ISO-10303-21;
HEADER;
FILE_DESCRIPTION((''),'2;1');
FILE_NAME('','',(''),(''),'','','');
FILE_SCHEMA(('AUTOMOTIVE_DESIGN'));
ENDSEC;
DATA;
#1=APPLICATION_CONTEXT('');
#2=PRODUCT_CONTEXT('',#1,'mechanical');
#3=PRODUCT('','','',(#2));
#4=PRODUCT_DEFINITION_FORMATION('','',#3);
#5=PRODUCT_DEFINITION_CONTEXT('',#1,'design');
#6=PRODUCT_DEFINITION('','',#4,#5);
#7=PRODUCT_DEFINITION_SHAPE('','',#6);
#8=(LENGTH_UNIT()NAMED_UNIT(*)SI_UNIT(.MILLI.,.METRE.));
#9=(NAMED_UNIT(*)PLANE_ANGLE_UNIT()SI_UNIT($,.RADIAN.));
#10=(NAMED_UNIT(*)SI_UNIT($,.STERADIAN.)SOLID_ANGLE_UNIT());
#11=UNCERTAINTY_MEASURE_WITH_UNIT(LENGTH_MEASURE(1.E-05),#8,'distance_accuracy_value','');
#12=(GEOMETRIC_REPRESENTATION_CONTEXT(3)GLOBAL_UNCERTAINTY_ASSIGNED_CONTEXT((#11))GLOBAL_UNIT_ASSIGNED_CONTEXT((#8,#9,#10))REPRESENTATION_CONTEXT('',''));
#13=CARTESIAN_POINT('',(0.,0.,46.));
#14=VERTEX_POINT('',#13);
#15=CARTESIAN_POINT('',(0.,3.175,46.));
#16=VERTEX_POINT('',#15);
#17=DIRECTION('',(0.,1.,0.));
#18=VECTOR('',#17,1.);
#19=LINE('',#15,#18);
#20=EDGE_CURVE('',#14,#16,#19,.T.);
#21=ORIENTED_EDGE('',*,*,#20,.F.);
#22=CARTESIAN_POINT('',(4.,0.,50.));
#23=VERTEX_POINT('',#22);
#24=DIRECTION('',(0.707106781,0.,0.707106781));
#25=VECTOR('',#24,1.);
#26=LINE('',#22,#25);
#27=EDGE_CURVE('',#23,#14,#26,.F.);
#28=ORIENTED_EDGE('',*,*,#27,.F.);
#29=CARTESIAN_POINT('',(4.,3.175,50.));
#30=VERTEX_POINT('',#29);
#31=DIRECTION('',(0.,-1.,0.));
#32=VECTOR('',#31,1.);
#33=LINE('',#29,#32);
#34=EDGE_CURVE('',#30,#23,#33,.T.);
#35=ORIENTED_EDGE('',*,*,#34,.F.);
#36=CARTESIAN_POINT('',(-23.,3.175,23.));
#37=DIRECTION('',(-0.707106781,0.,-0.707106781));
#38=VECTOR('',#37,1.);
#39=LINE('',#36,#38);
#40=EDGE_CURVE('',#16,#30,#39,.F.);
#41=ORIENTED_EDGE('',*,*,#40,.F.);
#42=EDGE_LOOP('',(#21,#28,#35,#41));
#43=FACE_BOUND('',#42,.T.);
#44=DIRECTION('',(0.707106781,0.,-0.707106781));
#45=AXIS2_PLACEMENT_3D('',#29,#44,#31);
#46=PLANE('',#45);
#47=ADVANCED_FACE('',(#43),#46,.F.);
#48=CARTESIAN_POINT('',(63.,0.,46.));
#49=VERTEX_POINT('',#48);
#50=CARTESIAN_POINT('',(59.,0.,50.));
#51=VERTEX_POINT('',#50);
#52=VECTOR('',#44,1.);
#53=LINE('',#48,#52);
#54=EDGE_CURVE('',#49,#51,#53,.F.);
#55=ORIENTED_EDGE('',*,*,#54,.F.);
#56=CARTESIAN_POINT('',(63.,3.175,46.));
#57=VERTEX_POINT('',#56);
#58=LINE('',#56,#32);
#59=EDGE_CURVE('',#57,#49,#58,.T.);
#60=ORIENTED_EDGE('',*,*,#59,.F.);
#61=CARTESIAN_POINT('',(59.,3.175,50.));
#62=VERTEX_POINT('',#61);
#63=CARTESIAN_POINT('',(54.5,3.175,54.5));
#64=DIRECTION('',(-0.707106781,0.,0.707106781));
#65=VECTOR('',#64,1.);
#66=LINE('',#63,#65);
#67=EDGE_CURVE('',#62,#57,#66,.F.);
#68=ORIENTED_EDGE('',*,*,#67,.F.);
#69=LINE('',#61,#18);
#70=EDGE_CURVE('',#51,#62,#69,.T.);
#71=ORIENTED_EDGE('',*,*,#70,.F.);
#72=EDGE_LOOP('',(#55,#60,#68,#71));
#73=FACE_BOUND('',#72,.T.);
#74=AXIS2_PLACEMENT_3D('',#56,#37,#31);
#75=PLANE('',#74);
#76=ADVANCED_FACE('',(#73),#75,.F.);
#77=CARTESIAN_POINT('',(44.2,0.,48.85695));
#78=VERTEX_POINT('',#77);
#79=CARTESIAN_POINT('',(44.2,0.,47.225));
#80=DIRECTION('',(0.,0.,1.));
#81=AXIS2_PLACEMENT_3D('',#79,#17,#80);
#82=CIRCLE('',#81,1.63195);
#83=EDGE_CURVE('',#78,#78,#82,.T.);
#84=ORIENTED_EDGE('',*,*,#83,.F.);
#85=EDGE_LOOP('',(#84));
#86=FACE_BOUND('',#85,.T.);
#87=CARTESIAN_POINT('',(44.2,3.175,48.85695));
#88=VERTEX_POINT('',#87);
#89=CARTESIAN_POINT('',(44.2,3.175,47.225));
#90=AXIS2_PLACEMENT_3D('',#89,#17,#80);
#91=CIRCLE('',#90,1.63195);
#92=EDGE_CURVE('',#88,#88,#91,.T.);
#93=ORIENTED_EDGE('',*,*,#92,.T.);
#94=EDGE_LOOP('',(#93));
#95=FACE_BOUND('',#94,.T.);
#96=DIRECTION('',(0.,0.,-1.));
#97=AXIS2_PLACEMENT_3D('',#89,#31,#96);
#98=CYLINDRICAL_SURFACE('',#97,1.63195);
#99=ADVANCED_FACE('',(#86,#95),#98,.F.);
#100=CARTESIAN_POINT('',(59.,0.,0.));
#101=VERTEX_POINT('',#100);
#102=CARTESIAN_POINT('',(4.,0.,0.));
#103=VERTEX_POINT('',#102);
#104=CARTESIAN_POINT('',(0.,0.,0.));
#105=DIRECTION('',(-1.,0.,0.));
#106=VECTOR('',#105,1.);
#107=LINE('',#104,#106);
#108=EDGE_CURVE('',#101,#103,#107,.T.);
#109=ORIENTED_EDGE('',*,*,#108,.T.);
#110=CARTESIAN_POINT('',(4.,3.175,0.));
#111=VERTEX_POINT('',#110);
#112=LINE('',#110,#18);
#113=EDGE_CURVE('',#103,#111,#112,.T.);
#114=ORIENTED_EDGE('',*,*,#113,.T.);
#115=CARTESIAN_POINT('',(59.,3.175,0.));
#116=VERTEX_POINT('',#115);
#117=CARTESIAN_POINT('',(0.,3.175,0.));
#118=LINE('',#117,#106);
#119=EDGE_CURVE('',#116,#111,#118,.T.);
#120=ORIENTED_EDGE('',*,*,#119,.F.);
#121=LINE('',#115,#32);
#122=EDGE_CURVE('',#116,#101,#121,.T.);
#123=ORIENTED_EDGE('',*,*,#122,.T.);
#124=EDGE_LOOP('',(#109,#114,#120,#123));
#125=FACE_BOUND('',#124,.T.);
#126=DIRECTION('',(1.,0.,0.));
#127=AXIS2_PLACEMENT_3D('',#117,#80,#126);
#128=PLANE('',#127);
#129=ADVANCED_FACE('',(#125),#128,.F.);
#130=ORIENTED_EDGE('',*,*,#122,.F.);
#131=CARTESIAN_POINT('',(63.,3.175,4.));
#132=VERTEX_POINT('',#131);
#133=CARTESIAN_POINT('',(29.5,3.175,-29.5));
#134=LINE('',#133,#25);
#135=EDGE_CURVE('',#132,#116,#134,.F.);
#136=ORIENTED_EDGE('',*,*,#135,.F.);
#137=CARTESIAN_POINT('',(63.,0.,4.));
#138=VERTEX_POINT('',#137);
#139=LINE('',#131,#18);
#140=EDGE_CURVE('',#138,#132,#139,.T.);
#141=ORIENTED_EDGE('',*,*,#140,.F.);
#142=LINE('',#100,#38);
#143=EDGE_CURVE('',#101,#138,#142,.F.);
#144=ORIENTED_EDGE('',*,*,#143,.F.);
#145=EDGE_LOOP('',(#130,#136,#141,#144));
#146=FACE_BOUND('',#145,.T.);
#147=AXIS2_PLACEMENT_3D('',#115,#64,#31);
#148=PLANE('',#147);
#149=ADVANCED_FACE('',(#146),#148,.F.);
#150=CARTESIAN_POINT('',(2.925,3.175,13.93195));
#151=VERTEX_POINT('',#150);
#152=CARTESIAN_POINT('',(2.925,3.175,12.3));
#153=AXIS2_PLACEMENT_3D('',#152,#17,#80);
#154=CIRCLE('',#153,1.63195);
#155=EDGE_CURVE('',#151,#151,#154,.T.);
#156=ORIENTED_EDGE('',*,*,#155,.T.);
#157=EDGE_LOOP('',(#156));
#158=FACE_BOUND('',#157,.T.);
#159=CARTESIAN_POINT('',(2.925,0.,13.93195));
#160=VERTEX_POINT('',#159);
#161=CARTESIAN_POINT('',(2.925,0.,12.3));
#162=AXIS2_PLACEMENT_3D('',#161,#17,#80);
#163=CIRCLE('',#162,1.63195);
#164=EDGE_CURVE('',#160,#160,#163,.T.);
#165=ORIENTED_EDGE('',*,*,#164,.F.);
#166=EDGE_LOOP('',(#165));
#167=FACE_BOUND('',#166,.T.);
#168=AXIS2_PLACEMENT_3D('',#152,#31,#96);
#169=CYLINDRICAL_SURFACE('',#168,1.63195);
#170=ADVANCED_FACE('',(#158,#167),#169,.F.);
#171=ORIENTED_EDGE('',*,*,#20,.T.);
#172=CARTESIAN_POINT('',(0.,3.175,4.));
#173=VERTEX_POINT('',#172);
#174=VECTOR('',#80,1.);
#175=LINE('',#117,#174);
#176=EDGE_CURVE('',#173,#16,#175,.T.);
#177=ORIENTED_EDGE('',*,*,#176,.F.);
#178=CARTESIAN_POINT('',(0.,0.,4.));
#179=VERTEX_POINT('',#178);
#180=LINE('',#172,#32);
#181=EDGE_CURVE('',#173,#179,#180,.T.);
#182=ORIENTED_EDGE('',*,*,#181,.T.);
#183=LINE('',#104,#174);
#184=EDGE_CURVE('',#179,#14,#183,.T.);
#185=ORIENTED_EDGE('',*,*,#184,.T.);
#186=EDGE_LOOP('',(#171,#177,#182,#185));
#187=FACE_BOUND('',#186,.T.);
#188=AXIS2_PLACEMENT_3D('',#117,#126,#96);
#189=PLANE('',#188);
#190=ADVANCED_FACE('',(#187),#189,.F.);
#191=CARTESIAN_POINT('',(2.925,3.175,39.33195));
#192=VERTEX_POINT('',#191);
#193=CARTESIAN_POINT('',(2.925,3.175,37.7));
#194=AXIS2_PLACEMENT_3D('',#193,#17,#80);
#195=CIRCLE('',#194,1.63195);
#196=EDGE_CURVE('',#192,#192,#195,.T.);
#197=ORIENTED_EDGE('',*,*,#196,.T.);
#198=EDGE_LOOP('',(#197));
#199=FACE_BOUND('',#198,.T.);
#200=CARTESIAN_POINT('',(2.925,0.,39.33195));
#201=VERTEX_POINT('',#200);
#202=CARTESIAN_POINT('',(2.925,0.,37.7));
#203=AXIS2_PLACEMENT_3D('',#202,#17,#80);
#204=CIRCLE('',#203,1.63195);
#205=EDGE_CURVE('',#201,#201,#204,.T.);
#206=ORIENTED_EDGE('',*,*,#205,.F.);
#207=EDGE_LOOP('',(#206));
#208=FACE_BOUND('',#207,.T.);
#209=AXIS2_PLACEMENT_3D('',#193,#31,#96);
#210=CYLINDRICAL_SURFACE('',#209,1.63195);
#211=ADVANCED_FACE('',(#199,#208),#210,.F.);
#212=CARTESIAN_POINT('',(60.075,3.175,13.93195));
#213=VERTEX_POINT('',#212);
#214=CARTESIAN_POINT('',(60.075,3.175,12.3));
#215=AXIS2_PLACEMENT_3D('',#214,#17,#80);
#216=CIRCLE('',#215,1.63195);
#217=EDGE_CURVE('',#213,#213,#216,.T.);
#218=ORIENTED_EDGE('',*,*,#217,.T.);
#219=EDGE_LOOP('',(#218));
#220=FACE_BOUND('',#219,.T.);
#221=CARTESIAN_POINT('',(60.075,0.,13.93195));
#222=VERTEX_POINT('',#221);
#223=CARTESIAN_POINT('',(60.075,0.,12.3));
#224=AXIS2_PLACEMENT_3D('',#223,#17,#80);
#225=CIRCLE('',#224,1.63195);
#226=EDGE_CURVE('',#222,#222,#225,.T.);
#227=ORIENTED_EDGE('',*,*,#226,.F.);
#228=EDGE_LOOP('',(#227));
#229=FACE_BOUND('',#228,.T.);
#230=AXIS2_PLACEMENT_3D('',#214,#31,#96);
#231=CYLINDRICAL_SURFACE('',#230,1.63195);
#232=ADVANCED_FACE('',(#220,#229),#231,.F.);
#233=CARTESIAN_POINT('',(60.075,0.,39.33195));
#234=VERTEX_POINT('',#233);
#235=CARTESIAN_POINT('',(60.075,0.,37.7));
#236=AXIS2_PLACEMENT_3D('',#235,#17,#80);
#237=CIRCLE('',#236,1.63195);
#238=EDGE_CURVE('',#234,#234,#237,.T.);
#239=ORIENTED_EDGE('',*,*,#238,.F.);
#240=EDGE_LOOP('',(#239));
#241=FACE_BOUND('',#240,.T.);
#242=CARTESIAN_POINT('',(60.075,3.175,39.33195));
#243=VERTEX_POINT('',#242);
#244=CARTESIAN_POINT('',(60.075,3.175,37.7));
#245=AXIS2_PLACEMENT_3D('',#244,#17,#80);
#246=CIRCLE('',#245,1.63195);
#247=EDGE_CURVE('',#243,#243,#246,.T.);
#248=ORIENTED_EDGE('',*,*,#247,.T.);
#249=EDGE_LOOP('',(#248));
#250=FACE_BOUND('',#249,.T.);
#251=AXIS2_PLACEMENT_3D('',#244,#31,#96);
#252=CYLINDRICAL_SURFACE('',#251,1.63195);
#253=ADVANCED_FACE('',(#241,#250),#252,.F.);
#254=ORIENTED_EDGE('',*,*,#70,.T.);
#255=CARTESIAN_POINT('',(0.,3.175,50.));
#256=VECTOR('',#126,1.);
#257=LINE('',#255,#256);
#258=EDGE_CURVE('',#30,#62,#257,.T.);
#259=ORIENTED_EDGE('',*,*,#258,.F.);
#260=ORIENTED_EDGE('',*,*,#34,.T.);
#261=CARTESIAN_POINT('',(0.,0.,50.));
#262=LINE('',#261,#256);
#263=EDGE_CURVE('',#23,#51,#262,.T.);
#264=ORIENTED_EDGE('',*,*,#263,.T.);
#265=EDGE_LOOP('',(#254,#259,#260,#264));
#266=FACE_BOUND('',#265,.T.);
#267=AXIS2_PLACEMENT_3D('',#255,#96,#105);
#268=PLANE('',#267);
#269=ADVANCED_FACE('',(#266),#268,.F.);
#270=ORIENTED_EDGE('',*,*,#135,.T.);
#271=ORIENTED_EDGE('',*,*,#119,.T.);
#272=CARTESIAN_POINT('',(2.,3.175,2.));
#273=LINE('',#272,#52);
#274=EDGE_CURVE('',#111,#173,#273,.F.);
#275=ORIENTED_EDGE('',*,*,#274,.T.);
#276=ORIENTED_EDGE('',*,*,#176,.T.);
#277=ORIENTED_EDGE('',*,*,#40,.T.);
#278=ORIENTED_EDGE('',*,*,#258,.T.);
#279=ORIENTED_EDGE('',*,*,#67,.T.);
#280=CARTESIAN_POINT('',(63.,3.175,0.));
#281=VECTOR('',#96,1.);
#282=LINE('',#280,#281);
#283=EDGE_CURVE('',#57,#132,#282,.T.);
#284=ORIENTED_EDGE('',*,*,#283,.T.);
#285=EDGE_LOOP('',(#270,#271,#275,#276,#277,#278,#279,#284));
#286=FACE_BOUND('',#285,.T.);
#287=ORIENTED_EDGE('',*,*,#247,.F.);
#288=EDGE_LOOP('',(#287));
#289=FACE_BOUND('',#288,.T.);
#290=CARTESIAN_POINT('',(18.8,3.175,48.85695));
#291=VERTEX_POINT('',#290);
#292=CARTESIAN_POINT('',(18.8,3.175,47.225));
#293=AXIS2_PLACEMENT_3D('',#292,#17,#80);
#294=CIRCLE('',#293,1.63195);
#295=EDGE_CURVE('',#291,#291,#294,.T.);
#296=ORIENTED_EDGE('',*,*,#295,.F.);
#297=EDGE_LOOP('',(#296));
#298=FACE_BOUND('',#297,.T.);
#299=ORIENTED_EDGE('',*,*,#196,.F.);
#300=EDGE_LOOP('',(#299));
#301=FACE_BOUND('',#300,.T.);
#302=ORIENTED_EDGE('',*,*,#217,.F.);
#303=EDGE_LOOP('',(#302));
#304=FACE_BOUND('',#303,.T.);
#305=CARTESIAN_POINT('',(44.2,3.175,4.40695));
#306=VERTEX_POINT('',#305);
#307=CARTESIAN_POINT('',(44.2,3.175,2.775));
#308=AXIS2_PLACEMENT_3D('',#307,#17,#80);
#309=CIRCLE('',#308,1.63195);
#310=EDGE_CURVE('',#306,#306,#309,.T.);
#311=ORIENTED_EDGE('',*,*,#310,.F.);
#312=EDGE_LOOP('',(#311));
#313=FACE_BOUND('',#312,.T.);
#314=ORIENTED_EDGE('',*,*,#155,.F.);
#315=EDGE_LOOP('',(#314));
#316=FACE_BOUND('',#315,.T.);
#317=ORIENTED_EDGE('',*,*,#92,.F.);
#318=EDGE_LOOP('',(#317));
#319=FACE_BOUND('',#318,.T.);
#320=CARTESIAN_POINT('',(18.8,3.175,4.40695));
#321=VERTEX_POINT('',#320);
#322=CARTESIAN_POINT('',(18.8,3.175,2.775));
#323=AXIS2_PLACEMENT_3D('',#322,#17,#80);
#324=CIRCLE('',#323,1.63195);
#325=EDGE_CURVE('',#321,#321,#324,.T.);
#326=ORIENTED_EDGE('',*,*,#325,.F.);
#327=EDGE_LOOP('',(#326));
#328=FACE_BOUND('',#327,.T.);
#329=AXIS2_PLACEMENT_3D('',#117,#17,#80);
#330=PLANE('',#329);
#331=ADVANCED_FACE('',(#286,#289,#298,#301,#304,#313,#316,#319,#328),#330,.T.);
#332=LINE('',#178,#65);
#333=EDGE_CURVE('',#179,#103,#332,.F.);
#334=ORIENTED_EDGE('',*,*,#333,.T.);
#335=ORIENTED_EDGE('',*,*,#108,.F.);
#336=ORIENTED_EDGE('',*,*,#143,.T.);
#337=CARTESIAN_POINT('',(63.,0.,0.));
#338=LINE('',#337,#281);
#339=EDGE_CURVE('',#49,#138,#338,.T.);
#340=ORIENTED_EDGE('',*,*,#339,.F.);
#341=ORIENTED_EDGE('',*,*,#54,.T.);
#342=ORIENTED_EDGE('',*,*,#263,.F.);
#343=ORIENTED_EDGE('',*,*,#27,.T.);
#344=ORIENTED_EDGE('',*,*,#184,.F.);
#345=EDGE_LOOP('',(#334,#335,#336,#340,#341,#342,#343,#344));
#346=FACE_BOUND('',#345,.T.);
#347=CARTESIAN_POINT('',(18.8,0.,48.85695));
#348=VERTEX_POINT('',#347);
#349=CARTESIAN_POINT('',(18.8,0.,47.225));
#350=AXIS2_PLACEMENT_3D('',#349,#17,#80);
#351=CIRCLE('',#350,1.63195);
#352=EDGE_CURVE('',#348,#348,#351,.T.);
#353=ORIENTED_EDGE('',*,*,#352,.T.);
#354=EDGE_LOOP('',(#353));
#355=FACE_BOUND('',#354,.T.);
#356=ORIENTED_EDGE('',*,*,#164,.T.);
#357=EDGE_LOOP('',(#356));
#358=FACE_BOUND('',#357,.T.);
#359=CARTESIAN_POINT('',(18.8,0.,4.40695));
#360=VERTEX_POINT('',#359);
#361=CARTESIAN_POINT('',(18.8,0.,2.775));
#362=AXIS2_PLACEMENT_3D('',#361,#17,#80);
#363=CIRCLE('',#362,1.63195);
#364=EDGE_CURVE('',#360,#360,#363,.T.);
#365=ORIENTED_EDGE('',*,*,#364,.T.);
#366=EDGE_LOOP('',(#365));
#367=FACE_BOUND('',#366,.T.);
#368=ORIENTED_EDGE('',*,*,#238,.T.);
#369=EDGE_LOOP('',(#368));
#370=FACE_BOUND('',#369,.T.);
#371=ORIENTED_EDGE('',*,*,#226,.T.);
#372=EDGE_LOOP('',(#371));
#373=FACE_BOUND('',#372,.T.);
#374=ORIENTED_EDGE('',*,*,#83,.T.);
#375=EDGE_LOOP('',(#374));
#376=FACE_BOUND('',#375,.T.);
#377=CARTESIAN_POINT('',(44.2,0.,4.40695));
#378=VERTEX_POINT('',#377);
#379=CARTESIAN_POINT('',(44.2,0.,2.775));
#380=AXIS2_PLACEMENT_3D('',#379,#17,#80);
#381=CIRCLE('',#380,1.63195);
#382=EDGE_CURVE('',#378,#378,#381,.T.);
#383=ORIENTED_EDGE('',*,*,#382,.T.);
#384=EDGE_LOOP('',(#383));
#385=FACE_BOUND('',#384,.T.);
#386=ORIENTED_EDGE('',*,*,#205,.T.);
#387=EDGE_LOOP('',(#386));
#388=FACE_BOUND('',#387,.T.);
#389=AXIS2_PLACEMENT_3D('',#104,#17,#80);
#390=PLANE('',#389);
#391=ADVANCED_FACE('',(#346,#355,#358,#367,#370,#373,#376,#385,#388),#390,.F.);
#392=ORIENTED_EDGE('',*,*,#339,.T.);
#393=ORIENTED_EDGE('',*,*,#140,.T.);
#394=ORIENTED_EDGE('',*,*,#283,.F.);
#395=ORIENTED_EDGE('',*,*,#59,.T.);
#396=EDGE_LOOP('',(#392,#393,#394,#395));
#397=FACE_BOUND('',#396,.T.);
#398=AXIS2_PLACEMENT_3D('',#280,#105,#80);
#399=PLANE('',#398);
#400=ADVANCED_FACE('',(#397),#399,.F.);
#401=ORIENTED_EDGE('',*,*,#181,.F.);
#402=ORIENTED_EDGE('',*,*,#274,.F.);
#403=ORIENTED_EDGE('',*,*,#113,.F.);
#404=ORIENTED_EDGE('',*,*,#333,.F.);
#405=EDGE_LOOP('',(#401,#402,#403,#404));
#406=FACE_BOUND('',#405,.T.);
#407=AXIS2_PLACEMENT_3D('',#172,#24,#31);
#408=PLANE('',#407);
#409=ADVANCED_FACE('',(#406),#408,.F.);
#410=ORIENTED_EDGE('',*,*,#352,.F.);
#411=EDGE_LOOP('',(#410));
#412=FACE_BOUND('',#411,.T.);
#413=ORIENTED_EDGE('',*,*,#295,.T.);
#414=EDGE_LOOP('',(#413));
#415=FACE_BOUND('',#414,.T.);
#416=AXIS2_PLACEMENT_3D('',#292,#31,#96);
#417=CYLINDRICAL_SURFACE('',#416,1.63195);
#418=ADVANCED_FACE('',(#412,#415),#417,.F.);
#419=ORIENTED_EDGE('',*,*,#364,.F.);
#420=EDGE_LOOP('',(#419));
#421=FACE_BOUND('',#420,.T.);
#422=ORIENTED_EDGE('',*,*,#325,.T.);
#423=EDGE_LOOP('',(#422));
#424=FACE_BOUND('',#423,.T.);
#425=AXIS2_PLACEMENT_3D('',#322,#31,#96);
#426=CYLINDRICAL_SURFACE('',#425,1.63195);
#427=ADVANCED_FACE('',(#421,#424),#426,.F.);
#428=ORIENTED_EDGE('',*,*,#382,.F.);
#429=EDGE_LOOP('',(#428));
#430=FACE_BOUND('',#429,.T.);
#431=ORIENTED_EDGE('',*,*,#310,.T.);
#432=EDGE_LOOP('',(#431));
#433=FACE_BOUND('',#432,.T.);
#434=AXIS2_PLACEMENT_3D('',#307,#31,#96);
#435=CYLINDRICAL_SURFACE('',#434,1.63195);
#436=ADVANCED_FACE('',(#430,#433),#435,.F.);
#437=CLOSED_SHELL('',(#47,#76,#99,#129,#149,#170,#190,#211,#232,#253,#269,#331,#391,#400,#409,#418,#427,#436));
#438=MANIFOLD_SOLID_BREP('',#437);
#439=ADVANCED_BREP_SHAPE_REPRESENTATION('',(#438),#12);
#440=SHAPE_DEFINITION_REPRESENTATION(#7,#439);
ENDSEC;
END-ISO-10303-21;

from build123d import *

# Parameters (mm, degrees)
SKETCH1_W           = 63
SKETCH1_H           = 50
SKETCH1_R           = 1.63195
BOSS_EXTRUDE1_DEPTH = 3.175
CHAMFER1_SIZE       = 4


with BuildPart() as part:
    # Sketch1 → Boss-Extrude1 (new body)
    with BuildSketch(Plane(origin=(0, 0, 0), x_dir=(1, 0, 0), z_dir=(0, 1, 0))):
        with Locations((31.5, -25)):
            Rectangle(SKETCH1_W, SKETCH1_H)
        with Locations(Location((18.8, -2.775, 0), (0, 0, 270))):
            Circle(SKETCH1_R, mode=Mode.SUBTRACT)
        with Locations(Location((44.2, -2.775, 0), (0, 0, 270))):
            Circle(SKETCH1_R, mode=Mode.SUBTRACT)
        with Locations(Location((60.075, -12.3, 0), (0, 0, 270))):
            Circle(SKETCH1_R, mode=Mode.SUBTRACT)
        with Locations(Location((60.075, -37.7, 0), (0, 0, 270))):
            Circle(SKETCH1_R, mode=Mode.SUBTRACT)
        with Locations(Location((44.2, -47.225, 0), (0, 0, 270))):
            Circle(SKETCH1_R, mode=Mode.SUBTRACT)
        with Locations(Location((18.8, -47.225, 0), (0, 0, 270))):
            Circle(SKETCH1_R, mode=Mode.SUBTRACT)
        with Locations(Location((2.925, -37.7, 0), (0, 0, 270))):
            Circle(SKETCH1_R, mode=Mode.SUBTRACT)
        with Locations(Location((2.925, -12.3, 0), (0, 0, 270))):
            Circle(SKETCH1_R, mode=Mode.SUBTRACT)
    extrude(amount=BOSS_EXTRUDE1_DEPTH)

    # Chamfer1
    chamfer1_edges = [part.edges().sort_by_distance(p)[0] for p in [
        (0, 1.5875, 0),
        (63, 1.5875, 0),
        (63, 1.5875, 50),
        (0, 1.5875, 50),
    ]]
    chamfer(chamfer1_edges, length=CHAMFER1_SIZE)


solid = part.part
